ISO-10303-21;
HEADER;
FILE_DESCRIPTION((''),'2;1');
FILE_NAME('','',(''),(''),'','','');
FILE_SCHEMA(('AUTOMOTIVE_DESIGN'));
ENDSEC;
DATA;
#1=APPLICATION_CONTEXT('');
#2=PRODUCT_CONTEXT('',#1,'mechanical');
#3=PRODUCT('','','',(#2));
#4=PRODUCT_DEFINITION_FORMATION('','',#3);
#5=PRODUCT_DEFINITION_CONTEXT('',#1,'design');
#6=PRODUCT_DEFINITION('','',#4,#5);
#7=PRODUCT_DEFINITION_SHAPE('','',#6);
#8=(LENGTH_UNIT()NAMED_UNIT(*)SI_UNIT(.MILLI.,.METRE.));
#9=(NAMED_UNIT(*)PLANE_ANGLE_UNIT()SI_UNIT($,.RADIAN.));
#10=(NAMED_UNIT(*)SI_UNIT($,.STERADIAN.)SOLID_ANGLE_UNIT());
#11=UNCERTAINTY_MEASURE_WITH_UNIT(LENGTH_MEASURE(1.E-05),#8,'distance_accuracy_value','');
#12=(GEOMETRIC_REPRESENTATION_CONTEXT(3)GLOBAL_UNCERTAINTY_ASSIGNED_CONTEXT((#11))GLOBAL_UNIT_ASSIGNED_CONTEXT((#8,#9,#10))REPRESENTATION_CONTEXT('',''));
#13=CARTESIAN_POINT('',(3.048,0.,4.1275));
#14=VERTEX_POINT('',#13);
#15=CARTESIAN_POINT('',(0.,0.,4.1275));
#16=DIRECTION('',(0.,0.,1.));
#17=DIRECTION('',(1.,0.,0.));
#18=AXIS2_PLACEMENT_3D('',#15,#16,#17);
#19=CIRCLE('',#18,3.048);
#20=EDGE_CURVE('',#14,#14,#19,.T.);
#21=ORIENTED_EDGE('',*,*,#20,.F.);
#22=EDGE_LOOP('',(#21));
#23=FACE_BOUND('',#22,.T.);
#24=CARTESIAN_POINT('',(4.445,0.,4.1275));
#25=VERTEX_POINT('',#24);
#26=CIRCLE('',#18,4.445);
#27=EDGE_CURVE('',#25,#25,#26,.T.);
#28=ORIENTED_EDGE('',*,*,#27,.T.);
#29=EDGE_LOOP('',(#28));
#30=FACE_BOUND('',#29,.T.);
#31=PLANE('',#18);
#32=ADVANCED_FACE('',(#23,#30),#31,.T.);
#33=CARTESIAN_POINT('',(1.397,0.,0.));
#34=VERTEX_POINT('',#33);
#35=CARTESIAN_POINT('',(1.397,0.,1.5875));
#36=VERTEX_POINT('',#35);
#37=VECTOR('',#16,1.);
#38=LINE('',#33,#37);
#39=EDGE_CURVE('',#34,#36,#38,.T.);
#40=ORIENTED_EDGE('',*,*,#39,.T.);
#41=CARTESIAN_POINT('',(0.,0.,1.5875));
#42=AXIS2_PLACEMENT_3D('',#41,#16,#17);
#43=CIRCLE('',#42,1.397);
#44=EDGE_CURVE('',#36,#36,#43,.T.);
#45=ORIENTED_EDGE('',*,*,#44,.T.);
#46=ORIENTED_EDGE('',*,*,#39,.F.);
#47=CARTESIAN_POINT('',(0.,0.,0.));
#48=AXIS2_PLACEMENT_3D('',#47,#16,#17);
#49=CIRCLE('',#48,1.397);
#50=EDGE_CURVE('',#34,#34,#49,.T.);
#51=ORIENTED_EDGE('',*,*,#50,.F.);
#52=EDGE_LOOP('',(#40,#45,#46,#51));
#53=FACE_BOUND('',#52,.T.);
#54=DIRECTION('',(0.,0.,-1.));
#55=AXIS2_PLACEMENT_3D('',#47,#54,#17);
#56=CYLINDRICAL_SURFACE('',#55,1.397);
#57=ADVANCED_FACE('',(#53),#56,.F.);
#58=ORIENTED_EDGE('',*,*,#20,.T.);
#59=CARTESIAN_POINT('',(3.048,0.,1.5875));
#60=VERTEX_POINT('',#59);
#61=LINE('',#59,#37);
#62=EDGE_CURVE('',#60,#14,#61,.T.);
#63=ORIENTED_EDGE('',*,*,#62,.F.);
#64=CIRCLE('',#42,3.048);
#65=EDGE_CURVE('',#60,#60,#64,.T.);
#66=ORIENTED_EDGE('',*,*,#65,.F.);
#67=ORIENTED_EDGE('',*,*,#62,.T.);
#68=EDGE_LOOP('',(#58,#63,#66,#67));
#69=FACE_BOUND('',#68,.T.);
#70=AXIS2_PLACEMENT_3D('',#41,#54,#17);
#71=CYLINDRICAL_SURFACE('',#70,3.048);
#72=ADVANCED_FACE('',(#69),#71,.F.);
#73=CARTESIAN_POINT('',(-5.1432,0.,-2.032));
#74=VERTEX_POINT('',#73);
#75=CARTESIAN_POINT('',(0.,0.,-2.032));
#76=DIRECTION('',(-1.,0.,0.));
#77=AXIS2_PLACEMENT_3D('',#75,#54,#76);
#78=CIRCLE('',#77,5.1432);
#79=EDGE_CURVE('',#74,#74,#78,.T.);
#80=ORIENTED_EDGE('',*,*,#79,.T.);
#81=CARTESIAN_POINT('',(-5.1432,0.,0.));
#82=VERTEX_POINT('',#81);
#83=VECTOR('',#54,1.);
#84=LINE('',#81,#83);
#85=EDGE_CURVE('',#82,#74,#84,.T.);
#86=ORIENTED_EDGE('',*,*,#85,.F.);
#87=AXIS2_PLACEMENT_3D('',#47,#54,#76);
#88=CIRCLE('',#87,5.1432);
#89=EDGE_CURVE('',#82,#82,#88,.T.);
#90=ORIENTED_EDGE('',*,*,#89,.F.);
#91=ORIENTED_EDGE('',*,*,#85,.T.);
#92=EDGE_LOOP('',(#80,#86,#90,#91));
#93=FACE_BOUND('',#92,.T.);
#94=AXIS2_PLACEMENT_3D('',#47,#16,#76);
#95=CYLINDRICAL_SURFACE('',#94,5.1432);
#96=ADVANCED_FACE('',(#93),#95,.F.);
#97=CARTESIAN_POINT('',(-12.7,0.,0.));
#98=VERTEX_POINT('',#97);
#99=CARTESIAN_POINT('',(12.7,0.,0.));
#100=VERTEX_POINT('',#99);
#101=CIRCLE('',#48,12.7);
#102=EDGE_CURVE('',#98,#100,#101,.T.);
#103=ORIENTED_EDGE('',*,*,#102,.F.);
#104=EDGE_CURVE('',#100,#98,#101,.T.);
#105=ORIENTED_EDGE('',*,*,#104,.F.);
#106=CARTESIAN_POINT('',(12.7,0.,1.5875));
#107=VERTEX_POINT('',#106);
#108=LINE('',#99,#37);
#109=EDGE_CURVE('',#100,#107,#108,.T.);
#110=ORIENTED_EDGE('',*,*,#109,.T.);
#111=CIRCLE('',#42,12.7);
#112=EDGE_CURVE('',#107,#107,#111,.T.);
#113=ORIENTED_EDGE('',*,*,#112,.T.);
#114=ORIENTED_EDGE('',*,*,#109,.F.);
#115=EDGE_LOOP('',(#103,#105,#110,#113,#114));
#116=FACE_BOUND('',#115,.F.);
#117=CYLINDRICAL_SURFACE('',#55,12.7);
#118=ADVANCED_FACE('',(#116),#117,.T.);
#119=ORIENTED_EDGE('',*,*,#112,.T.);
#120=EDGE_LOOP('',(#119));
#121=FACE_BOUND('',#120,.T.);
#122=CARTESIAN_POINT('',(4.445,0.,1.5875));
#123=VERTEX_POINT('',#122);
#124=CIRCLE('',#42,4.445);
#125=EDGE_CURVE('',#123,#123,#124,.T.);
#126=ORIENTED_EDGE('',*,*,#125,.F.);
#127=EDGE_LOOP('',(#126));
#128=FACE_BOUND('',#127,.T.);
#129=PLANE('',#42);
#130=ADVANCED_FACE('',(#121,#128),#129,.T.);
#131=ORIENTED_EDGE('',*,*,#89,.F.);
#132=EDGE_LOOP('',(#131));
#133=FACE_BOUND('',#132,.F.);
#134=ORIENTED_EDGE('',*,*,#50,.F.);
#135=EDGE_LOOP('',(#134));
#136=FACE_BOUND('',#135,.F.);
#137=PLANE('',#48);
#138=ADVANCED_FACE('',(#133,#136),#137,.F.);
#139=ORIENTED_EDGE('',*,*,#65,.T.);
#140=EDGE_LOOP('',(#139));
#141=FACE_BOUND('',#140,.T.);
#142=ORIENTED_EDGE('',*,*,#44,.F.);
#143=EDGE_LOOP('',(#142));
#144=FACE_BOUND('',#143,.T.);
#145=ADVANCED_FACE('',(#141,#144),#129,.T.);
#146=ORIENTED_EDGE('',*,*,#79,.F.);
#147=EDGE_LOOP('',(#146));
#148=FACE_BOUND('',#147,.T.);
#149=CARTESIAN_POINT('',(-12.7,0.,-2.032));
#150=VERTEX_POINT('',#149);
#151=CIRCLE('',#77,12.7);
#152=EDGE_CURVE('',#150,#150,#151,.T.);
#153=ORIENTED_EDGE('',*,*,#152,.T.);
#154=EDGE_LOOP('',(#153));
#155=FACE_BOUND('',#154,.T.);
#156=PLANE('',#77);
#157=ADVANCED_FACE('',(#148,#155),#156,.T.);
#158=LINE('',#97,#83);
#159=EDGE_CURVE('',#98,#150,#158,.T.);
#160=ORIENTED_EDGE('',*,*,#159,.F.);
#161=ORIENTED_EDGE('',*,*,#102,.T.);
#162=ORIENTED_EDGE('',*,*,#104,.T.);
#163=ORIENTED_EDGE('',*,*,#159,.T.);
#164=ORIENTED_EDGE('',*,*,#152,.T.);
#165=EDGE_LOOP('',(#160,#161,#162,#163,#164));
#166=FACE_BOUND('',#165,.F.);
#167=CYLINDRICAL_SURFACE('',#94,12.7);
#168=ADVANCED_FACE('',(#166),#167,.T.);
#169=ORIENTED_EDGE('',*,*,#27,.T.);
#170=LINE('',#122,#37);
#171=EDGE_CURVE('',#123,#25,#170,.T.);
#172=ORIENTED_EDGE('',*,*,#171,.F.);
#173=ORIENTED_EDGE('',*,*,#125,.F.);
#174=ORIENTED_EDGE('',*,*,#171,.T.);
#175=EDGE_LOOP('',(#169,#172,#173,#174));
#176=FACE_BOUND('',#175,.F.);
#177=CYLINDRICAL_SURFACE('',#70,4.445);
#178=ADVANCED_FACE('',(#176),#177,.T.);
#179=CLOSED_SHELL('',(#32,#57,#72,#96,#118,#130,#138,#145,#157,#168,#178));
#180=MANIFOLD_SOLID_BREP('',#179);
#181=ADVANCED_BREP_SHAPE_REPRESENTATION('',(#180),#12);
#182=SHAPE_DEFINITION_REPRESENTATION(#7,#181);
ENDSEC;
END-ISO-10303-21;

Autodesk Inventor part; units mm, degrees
ref_plane "YZ Plane" through (0, 0, 0) normal (1, 0, 0) x (0, 1, 0)
ref_plane "XZ Plane" through (0, 0, 0) normal (0, 1, 0) x (-1, 0, 0)
ref_plane "XY Plane" through (0, 0, 0) normal (0, 0, 1) x (1, 0, 0)
sketch "Sketch1" plane through (0, 0, 0) normal (0, 0, 1) x (1, 0, 0)
  circle A0 centre (0, 0) radius 12.7
  circle A1 centre (0, 0) radius 1.397
  dimension "d0" = 25.4
  dimension "d1" = 2.794
extrude "Extrusion1" add sketch "Sketch1" along normal blind 1.5875
sketch "Sketch2" plane through (0, 0, 1.5875) normal (0, 0, 1) x (1, 0, 0)
  circle A0 centre (0, 0) radius 3.048
  circle A1 centre (0, 0) radius 4.445
  dimension "d4" = 6.096
  dimension "d5" = 8.89
extrude "Extrusion2" add sketch "Sketch2" along normal blind 2.54
sketch "Sketch3" plane through (0, 0, 0) normal (0, 0, -1) x (-1, 0, 0)
  circle A0 centre (0, 0) radius 12.7
  circle A1 centre (0, 0) radius 5.1432
  dimension "d8" = 25.4
extrude "Extrusion3" add sketch "Sketch3" along normal blind 2.032
equation "\"d0\" = hornD"
equation "\"d1\" = hornS"
equation "\"d2\" = hornT"
equation "\"d4\" = hornID"
equation "\"d5\" = hornOD"
equation "\"d6\" = hornH"
equation "\"d8\" = spoolD"
equation "\"d9\" = inset"
equation "\"spoolD\" = 25.4"
equation "\"hubD\" = 6.35"
equation "\"spoolT\" = 1.5875"
equation "\"hubH\" = 6.35"
equation "\"hornD\" = 25.4"
equation "\"hornT\" = 1.5875"
equation "\"hornS\" = 2.794"
equation "\"hornID\" = 6.096"
equation "\"hornOD\" = 8.89"
equation "\"hornH\" = 2.54"
equation "\"inset\" = 2.032"
equation "\"insetD\" = 5.842"
equation "\"servMD\" = 3.175"
equation "\"servMW\" = 10.033"
equation "\"servML\" = 49.784"
equation "\"servW\" = 20.1168"
equation "\"servL\" = 40.5892"
equation "\"housL\" = 53.975"
equation "\"housW\" = 28.575"
equation "\"housT\" = 2.54"
equation "\"housBT\" = 1.5875"
equation "\"housH\" = 39.116"
equation "\"guideW\" = 9.144"
equation "\"guideD\" = 3.175"
equation "\"guideH\" = 23.114"
properties part number "Horn"
